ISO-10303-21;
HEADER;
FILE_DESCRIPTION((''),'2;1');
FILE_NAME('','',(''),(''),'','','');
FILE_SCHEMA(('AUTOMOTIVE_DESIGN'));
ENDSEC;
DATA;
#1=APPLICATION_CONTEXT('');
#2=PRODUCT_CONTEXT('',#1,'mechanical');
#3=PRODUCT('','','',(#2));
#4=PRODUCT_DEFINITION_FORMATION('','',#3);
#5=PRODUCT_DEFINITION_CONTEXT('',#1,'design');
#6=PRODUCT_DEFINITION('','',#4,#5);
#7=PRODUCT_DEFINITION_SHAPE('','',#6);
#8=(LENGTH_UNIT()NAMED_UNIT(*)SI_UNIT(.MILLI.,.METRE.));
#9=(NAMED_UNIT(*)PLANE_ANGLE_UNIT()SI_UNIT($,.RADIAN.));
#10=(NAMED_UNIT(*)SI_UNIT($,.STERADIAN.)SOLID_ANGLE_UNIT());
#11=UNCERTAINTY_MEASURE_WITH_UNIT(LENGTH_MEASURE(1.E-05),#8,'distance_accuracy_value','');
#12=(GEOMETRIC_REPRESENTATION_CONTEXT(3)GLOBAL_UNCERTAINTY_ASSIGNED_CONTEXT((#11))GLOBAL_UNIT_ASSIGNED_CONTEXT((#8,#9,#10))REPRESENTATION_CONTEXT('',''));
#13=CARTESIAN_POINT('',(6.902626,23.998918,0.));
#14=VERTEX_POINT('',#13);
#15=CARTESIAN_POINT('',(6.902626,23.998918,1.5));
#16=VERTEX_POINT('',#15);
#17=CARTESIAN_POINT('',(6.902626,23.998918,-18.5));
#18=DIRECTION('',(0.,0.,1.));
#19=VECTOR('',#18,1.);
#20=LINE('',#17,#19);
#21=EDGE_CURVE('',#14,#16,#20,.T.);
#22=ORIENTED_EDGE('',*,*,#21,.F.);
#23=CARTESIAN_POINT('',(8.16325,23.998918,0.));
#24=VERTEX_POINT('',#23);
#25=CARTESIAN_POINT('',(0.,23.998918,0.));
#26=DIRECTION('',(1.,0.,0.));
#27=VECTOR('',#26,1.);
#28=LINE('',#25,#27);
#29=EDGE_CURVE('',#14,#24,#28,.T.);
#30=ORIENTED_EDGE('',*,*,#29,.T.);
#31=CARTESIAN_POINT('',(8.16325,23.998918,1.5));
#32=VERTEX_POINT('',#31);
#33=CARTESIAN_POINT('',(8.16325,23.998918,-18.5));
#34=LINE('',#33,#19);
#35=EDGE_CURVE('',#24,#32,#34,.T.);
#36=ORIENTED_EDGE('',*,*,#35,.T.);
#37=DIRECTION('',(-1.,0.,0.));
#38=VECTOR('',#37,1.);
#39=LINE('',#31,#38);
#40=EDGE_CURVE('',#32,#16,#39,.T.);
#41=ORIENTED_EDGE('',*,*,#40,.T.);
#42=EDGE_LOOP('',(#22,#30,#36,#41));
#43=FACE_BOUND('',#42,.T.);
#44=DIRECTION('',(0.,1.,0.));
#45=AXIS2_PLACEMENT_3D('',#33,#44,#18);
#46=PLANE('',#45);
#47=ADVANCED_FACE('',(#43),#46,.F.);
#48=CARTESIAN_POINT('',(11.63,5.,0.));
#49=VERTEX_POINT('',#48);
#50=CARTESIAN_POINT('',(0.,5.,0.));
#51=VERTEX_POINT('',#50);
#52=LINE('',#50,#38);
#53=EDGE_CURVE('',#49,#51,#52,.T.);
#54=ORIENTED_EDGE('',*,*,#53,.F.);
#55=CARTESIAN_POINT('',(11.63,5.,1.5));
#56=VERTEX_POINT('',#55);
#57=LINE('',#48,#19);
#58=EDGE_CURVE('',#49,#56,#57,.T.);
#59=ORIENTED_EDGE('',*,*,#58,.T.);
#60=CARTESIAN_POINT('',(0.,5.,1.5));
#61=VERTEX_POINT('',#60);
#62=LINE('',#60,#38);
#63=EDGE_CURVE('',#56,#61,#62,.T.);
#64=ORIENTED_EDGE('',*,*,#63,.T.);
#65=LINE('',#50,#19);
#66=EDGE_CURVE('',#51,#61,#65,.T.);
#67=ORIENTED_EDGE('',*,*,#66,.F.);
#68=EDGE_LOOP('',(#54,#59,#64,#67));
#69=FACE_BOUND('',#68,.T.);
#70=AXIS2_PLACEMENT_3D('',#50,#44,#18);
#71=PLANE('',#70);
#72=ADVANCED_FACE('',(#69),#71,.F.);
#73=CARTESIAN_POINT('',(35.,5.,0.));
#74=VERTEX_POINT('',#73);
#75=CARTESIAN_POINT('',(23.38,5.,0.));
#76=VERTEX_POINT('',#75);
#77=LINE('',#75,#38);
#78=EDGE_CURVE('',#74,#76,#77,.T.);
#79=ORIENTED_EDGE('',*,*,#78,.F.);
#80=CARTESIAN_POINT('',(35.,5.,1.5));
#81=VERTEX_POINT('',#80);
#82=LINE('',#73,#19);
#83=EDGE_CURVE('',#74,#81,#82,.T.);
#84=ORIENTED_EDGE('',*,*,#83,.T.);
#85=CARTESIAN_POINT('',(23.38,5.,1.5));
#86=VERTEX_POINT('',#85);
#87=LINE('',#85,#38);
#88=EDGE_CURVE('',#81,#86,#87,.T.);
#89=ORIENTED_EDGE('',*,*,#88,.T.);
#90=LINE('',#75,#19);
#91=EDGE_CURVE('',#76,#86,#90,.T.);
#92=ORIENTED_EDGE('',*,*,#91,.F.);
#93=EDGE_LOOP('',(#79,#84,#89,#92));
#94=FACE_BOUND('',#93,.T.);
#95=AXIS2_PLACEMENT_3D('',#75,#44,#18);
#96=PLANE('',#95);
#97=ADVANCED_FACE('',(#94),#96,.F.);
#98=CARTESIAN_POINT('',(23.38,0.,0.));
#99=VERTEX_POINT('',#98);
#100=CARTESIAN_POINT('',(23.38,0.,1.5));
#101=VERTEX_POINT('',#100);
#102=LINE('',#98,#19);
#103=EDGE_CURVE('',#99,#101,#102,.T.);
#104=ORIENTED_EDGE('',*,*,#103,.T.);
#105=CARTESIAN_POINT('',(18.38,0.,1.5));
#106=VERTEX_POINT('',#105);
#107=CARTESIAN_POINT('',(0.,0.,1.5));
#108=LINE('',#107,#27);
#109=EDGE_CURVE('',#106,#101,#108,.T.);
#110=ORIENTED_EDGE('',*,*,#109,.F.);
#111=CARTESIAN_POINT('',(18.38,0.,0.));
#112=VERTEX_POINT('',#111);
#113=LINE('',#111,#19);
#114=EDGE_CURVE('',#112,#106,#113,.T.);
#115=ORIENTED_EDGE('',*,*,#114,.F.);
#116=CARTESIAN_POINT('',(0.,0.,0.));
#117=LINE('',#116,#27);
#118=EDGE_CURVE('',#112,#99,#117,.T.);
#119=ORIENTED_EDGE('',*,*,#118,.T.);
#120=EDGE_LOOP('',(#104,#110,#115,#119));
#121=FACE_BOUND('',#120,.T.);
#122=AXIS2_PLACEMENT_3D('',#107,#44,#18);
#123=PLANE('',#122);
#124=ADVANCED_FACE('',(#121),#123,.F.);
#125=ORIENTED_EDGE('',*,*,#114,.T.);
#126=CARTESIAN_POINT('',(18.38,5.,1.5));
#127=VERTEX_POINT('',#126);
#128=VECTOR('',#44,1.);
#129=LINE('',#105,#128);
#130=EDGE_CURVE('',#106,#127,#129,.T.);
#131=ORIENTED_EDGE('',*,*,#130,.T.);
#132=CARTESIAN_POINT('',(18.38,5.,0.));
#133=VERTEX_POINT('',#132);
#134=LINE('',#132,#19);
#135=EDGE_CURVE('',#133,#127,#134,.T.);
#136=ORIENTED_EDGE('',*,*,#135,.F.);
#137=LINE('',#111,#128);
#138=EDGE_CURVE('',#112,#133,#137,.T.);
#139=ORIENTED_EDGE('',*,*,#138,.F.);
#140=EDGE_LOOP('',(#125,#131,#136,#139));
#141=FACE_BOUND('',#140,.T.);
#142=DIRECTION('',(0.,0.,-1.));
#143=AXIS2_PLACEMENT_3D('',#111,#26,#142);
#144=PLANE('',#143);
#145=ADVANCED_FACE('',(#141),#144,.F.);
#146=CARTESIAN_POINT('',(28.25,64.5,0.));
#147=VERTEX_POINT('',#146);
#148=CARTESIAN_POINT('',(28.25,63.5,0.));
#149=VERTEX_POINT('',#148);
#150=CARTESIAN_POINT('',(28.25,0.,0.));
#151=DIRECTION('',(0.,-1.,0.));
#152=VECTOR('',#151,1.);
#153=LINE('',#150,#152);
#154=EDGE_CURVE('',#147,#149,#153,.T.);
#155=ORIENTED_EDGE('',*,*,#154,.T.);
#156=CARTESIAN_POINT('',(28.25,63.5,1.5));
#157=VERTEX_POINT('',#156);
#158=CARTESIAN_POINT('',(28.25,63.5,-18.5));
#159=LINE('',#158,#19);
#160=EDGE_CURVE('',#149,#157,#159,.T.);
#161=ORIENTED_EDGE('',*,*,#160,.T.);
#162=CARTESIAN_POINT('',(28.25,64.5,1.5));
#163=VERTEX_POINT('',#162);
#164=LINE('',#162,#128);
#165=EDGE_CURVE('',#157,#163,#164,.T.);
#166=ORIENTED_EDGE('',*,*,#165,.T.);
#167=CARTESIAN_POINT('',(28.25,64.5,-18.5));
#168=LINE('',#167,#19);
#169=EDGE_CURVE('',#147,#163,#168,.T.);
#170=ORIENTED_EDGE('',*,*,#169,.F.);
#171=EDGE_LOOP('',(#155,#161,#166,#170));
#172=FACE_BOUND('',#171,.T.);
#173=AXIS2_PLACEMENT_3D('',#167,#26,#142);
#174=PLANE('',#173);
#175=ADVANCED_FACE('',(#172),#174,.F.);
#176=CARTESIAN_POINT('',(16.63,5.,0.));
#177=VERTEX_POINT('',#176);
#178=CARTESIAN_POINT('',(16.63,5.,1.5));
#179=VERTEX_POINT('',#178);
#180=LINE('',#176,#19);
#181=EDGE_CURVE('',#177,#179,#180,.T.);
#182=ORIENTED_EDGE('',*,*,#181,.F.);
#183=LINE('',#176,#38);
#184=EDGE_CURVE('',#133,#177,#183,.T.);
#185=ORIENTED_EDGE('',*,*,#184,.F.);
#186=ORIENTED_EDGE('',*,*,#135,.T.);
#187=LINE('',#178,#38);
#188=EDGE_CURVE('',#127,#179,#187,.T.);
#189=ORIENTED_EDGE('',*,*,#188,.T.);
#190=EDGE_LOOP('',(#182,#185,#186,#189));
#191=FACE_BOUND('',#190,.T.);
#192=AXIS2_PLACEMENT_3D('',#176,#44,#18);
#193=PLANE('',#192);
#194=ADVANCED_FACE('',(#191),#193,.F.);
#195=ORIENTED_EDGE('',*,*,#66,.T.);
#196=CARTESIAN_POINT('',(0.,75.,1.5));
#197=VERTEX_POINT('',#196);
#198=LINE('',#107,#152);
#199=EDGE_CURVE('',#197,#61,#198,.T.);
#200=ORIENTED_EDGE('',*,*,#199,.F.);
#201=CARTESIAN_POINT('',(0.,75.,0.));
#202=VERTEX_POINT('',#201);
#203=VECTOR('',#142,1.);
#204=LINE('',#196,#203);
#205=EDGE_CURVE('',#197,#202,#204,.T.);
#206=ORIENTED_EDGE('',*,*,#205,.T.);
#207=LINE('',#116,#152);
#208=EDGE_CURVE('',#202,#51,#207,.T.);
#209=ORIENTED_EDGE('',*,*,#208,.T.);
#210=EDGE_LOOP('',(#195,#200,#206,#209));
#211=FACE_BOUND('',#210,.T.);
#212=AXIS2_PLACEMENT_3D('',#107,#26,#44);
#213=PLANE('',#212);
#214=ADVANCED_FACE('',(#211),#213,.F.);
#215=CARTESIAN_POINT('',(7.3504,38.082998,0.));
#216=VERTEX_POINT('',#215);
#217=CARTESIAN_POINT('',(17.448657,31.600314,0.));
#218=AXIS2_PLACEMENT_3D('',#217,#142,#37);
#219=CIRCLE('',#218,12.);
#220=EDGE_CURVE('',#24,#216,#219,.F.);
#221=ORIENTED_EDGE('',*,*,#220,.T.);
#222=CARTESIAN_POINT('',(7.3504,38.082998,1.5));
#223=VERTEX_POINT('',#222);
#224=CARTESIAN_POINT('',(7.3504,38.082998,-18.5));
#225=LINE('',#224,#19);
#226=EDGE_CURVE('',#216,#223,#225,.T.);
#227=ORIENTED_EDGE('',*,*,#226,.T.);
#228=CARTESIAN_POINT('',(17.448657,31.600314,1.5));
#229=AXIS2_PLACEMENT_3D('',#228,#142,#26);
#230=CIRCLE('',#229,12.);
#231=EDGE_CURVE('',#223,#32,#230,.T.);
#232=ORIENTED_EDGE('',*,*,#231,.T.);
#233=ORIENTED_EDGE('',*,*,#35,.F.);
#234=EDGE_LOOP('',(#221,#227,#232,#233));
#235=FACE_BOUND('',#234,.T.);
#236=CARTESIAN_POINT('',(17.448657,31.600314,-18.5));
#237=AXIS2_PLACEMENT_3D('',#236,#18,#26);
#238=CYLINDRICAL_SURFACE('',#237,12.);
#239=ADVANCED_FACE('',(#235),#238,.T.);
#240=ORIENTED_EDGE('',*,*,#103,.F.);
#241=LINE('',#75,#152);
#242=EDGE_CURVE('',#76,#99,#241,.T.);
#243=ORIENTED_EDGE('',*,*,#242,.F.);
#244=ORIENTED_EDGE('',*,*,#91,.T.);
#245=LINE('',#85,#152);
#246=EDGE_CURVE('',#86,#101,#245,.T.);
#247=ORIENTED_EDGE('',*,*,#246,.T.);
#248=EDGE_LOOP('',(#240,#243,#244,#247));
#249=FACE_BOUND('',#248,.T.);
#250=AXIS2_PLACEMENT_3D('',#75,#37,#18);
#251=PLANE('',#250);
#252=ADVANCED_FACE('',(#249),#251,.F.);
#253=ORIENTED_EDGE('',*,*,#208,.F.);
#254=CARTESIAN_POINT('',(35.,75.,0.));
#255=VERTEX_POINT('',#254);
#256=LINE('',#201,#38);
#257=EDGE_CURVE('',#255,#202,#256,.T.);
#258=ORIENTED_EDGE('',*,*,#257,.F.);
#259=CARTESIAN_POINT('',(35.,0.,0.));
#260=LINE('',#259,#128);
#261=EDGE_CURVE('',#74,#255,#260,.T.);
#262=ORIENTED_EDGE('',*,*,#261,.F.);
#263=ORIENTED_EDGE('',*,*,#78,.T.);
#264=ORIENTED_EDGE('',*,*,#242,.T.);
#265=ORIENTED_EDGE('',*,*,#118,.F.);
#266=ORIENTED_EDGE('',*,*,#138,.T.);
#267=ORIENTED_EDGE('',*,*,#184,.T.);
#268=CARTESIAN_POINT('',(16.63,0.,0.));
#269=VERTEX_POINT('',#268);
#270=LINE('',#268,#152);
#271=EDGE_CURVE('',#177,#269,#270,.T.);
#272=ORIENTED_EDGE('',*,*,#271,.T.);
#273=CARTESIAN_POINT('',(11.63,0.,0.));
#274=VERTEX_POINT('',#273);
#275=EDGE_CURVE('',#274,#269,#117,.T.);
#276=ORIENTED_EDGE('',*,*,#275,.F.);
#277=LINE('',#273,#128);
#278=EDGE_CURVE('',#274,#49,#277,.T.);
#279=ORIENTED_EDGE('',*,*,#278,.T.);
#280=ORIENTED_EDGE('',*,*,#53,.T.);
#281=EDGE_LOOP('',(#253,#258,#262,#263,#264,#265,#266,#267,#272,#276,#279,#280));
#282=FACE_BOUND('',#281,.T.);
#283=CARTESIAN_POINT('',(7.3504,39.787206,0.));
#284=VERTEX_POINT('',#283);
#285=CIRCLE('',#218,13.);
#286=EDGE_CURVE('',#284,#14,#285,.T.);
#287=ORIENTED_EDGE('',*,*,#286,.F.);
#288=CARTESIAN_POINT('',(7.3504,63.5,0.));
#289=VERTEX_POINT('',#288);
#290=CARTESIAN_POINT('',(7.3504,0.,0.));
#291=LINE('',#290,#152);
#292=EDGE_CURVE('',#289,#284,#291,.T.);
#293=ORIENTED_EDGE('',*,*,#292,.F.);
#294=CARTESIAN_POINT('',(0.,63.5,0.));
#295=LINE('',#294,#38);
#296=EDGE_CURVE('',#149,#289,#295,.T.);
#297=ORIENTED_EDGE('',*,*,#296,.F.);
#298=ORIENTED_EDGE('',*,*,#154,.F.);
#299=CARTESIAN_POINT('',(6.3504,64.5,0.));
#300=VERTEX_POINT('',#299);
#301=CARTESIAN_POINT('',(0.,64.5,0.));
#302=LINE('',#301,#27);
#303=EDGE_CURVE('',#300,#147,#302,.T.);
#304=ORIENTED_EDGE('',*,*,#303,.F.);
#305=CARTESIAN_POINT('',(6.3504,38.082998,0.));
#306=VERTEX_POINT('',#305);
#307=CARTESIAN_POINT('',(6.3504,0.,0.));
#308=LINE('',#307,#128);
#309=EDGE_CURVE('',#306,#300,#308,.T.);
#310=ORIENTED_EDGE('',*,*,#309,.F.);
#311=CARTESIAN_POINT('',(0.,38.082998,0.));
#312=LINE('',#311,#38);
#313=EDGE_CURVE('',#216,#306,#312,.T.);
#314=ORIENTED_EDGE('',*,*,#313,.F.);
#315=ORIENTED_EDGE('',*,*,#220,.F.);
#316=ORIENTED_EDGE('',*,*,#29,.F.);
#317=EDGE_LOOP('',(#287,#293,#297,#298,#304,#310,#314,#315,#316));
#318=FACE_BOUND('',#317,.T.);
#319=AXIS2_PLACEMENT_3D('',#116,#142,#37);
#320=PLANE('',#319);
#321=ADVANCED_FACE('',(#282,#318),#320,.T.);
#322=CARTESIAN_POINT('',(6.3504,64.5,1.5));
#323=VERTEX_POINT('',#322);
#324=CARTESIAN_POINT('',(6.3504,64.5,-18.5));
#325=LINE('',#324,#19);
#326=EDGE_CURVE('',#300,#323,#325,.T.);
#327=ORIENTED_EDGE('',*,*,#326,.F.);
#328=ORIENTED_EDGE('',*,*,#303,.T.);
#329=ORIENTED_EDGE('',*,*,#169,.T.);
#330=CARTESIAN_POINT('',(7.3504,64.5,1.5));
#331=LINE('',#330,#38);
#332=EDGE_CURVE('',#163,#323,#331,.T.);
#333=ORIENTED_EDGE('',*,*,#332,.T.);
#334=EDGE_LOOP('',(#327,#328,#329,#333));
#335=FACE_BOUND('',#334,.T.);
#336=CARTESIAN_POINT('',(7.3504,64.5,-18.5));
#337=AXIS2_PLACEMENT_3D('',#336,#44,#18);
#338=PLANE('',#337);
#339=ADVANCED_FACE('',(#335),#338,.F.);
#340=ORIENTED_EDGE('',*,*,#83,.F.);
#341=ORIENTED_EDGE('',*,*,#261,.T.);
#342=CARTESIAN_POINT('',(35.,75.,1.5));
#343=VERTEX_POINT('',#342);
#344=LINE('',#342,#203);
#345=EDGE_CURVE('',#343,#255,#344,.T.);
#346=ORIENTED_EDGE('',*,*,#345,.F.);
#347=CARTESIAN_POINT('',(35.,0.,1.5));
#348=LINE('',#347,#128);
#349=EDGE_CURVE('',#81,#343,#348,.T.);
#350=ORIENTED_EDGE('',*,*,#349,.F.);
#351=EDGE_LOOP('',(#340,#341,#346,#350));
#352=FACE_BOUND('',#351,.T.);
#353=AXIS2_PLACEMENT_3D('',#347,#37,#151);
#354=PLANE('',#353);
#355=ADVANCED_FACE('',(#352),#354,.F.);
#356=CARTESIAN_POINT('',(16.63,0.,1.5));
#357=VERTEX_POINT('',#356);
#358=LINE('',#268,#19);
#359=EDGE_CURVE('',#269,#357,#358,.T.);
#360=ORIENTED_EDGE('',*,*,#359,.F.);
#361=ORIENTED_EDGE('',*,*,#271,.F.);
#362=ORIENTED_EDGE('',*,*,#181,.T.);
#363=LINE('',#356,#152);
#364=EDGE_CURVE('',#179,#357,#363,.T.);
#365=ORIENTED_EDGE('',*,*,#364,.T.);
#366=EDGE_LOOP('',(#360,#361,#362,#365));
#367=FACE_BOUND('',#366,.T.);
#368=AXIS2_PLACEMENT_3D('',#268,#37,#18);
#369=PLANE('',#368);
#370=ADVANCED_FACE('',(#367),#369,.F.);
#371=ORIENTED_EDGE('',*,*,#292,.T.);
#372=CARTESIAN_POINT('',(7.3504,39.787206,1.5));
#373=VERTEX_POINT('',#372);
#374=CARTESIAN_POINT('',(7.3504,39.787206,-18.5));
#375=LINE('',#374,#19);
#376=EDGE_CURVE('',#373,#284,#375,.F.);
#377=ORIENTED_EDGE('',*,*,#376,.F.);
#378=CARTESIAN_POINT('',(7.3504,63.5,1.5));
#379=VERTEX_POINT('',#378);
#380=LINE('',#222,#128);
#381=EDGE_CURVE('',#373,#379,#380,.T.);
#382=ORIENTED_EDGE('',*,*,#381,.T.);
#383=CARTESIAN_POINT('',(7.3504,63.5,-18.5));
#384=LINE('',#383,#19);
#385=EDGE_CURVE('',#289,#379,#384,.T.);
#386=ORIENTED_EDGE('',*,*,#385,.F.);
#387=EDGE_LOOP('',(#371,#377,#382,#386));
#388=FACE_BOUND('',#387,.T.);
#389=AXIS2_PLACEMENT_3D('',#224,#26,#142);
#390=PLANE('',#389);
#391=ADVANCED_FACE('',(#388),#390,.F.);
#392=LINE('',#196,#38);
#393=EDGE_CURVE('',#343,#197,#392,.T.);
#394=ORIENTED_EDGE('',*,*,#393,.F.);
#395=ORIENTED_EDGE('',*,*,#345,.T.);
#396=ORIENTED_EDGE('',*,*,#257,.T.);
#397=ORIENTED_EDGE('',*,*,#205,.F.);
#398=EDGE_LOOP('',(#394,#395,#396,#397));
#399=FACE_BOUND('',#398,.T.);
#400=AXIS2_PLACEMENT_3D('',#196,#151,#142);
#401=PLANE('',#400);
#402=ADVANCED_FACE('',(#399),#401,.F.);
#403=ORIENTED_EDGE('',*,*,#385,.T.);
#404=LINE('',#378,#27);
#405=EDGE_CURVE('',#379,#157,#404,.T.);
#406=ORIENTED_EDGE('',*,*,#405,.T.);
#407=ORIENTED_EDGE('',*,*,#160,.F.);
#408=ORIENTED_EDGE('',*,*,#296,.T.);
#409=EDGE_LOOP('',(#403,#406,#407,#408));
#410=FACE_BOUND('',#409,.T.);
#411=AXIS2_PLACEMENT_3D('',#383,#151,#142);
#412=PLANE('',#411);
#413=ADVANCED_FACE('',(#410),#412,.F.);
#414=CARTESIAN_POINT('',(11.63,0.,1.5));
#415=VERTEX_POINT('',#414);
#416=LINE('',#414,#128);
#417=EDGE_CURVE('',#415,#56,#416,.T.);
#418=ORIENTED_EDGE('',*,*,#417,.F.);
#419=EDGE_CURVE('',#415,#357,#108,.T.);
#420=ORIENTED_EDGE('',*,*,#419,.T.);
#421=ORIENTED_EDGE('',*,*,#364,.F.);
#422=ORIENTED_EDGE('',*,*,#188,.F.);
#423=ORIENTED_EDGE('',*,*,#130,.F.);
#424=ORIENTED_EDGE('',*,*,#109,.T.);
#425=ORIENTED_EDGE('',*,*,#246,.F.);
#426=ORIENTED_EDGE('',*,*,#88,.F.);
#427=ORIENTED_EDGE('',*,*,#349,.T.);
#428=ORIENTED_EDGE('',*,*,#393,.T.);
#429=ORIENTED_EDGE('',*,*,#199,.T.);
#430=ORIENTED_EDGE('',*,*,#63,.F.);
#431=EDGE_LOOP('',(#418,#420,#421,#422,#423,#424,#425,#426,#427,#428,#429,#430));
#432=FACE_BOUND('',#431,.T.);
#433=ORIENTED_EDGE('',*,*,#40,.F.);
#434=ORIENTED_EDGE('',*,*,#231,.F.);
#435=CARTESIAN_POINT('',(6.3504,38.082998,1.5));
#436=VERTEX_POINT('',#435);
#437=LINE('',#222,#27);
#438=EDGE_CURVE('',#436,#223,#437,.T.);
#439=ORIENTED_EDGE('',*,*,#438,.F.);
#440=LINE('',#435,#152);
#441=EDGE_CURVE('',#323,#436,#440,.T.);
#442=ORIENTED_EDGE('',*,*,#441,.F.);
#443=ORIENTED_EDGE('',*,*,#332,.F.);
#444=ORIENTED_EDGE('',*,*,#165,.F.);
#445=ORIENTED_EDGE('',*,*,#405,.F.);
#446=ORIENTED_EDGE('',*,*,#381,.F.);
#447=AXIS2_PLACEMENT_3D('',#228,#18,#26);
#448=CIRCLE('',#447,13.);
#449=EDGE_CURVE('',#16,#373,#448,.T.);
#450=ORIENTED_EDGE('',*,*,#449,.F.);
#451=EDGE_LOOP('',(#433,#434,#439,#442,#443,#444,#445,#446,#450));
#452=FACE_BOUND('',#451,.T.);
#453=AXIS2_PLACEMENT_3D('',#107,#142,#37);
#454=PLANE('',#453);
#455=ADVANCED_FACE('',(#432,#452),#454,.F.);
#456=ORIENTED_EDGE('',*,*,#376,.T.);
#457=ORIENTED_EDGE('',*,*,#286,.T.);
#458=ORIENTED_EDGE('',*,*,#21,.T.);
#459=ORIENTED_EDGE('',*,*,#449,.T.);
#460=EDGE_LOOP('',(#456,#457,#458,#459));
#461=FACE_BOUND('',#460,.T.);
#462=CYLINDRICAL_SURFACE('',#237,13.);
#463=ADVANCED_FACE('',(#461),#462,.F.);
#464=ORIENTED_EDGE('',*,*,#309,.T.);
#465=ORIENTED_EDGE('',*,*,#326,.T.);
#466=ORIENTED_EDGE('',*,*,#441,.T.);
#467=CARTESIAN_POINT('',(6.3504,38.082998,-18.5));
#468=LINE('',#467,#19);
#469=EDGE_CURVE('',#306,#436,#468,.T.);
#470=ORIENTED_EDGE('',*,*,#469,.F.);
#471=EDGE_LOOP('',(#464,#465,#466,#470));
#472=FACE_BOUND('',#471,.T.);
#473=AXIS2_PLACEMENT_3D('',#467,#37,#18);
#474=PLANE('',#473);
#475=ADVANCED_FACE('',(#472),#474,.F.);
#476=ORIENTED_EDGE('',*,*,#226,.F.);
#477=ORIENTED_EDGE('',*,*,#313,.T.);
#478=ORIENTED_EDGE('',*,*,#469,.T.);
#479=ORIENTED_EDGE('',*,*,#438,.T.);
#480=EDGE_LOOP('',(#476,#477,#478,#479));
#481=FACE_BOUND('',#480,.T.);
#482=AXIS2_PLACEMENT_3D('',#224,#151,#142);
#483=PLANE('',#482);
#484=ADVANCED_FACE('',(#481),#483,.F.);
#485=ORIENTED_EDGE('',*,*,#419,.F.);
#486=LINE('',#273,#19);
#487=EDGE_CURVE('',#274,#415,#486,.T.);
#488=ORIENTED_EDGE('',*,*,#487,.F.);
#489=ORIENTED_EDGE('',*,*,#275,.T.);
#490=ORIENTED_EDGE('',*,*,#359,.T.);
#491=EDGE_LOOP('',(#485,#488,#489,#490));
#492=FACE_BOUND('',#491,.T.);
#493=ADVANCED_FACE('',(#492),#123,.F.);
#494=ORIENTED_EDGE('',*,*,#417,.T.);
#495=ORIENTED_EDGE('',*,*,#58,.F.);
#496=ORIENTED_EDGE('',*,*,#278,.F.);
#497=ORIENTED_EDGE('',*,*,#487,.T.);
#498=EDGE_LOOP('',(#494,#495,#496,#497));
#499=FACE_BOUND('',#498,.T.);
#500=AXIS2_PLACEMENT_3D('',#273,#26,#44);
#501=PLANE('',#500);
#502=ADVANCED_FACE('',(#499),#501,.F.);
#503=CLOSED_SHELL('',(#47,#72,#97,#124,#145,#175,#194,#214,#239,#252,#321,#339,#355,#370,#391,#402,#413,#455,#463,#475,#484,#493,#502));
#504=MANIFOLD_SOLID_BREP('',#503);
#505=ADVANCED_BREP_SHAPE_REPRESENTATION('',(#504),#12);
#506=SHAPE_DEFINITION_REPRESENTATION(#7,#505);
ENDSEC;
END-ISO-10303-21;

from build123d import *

# Parameters (mm, degrees)
SKIZZE1_W                       = 35
SKIZZE1_H                       = 75
AUFSATZ_LINEAR_AUSTRAGEN1_DEPTH = 1.5
SKIZZE2_W                       = 11.63
SKIZZE2_H                       = 5
SKIZZE2_W_2                     = 11.62
SKIZZE2_W_3                     = 1.75
SCHNITT_LINEAR_AUSTRAGEN1_DEPTH = 1.5
SCHNITT_LINEAR_AUSTRAGEN5_DEPTH = 20
SCHNITT_LINEAR_AUSTRAGEN6_DEPTH = 20


with BuildPart() as part:
    # Skizze1 → Aufsatz-Linear austragen1 (new body)
    with BuildSketch(Plane.XY):
        with Locations((17.5, 37.5)):
            Rectangle(SKIZZE1_W, SKIZZE1_H)
    extrude(amount=AUFSATZ_LINEAR_AUSTRAGEN1_DEPTH)

    # Skizze2 → Schnitt-Linear austragen1 (cut)
    with BuildSketch(Plane.XY.offset(1.5)):
        with Locations((5.815, 2.5)):
            Rectangle(SKIZZE2_W, SKIZZE2_H)
        with Locations((29.19, 2.5)):
            Rectangle(SKIZZE2_W_2, SKIZZE2_H)
        with Locations((17.505, 2.5)):
            Rectangle(SKIZZE2_W_3, SKIZZE2_H)
    extrude(amount=-SCHNITT_LINEAR_AUSTRAGEN1_DEPTH, mode=Mode.SUBTRACT)

    # Skizze10 → Schnitt-Linear austragen5 (cut)
    with BuildSketch(Plane.XY.offset(1.5)):
        with BuildLine():
            Line((7.35039959, 38.082998074), (6.35039959, 38.370002144))
            ThreePointArc((6.35039959, 38.370002144), (30.439070096, 32.099486097), (6.902625657, 23.998918129))
            Line((6.902625657, 23.998918129), (8.1632503, 23.998918129))
            ThreePointArc((8.1632503, 23.998918129), (29.428721451, 32.291733198), (7.35039959, 38.082998074))
        make_face()
    extrude(amount=-SCHNITT_LINEAR_AUSTRAGEN5_DEPTH, mode=Mode.SUBTRACT)

    # Skizze11 → Schnitt-Linear austragen6 (cut)
    with BuildSketch(Plane.XY.offset(1.5)):
        Polygon((7.35039959, 38.082998074), (6.35039959, 38.082998074), (6.35039959, 64.5), (7.35039959, 64.5), (28.25, 64.5), (28.25, 63.5), (7.35039959, 63.5), align=None)
    extrude(amount=-SCHNITT_LINEAR_AUSTRAGEN6_DEPTH, mode=Mode.SUBTRACT)


solid = part.part
